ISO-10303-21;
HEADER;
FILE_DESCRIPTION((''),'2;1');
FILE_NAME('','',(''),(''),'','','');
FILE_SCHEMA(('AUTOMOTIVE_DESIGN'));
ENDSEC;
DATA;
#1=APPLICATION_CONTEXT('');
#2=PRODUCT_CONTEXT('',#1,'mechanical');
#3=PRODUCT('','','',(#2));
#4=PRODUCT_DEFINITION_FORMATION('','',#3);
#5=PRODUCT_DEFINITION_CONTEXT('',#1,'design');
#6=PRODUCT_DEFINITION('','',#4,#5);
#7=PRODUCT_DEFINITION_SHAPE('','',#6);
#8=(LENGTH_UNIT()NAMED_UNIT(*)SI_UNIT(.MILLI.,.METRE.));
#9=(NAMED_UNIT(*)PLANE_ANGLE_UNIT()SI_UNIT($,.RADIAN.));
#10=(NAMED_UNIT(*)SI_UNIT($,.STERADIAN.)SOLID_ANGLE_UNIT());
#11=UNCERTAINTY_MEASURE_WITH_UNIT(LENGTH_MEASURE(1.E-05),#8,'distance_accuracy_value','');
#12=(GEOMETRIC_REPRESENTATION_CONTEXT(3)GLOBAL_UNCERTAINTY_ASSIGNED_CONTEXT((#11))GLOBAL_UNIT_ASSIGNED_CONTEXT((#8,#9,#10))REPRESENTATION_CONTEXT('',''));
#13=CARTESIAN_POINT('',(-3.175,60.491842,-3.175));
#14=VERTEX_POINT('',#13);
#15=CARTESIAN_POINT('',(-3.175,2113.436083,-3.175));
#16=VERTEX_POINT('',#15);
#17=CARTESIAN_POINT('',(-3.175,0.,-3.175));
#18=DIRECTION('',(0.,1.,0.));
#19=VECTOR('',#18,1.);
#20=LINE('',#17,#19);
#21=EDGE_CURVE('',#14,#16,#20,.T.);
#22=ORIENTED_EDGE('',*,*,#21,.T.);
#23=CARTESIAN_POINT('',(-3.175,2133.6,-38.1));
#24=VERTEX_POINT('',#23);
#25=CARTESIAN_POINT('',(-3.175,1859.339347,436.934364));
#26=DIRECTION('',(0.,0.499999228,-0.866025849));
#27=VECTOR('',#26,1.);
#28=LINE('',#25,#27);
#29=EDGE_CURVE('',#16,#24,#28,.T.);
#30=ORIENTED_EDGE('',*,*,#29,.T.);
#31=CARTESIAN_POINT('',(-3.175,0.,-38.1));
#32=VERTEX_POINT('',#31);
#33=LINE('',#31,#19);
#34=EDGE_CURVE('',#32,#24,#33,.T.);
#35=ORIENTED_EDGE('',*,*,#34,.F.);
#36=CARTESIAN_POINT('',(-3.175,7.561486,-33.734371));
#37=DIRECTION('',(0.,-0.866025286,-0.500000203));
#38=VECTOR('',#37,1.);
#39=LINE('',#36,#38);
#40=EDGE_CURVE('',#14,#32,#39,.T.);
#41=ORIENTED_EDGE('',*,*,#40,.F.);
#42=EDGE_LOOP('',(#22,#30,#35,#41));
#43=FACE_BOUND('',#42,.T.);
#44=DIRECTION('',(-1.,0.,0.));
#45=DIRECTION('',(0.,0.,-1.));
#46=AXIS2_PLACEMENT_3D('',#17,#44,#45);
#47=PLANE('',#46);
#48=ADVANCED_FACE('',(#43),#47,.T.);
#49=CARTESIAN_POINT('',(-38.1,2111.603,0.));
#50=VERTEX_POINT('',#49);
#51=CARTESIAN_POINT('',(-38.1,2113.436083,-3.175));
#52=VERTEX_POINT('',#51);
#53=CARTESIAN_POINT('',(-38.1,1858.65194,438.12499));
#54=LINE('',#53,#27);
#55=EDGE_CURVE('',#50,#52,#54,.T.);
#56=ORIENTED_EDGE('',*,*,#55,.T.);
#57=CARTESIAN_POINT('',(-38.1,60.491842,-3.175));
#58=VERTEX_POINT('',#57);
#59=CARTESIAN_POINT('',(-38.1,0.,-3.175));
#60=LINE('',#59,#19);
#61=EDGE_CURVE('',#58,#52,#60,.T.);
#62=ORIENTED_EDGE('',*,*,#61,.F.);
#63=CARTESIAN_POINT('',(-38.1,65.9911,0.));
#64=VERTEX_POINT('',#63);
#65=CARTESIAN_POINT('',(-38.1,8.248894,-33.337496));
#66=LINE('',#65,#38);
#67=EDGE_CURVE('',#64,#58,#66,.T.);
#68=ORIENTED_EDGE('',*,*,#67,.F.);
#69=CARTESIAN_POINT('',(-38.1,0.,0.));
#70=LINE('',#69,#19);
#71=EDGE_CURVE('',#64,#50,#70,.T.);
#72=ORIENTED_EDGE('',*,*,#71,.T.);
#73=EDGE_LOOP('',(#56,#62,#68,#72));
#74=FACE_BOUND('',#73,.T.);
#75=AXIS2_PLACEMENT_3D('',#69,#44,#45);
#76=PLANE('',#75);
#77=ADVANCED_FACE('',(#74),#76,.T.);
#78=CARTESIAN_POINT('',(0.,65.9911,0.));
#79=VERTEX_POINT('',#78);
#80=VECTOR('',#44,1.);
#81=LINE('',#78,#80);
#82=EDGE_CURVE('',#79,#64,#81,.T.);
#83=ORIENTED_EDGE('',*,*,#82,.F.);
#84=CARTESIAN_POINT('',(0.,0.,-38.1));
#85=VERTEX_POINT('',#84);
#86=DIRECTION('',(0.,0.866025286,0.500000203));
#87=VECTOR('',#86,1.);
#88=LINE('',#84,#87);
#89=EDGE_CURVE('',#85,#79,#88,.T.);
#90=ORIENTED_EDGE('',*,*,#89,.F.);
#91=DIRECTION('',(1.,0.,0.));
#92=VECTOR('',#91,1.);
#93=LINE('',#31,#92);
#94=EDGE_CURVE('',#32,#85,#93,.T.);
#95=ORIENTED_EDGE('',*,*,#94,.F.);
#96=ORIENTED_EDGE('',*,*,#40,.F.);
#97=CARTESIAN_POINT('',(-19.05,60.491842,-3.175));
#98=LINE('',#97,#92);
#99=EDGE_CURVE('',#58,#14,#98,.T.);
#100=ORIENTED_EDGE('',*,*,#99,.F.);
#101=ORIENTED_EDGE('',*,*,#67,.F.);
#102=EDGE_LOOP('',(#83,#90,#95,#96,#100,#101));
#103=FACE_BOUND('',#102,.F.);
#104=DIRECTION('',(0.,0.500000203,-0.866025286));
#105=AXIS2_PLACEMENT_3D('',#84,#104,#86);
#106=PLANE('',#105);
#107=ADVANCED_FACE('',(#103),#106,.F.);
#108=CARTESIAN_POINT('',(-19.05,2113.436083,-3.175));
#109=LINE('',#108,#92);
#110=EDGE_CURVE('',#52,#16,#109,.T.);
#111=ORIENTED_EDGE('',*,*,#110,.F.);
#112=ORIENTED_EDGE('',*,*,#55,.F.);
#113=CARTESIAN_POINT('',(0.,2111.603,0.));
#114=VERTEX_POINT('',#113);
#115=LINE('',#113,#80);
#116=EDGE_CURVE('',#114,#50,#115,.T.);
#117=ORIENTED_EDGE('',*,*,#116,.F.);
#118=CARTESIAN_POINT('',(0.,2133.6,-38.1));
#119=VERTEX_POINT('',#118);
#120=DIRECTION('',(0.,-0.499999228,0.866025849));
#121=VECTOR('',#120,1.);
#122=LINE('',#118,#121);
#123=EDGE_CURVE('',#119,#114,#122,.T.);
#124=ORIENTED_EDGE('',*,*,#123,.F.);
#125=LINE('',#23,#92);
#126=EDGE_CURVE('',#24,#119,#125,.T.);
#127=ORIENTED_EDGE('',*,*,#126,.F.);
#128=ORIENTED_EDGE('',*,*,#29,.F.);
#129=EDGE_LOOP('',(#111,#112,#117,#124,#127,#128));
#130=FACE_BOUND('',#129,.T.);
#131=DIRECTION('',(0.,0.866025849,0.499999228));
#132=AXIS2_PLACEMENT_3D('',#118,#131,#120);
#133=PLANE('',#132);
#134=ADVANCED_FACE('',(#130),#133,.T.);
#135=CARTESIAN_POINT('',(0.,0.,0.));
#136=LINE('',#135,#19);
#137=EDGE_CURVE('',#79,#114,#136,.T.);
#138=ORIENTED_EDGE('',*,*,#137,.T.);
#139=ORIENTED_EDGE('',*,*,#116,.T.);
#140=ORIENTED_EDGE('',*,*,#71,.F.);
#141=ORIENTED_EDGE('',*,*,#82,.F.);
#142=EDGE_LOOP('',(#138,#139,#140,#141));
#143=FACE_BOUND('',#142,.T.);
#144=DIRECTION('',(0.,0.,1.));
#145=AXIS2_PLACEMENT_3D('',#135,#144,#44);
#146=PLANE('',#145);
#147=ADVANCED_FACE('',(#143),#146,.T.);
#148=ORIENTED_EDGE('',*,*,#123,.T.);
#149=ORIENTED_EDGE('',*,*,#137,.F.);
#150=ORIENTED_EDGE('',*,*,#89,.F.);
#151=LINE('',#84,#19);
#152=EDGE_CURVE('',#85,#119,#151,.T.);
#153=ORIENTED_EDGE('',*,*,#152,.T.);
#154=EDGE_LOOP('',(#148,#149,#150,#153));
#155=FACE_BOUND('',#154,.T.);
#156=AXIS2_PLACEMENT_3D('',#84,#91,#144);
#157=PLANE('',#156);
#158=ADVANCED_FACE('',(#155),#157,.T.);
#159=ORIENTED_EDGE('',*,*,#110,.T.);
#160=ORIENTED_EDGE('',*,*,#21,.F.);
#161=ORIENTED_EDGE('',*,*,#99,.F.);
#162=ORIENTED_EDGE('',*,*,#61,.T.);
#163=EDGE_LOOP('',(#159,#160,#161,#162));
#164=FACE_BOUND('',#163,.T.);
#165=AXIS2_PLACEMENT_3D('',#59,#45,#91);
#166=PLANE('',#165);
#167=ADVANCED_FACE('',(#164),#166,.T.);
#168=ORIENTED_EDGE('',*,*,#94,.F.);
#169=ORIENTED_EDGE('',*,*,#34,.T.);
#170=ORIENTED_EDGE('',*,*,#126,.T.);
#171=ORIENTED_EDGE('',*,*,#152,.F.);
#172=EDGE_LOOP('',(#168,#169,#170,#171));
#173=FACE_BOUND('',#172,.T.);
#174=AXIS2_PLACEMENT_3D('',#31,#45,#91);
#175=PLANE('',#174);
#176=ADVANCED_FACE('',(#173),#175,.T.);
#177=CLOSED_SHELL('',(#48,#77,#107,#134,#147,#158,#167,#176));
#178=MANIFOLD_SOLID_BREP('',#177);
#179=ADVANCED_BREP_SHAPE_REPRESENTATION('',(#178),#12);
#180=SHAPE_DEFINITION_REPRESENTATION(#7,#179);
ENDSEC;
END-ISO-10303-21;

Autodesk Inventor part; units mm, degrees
ref_plane "YZ Plane" through (0, 0, 0) normal (1, 0, 0) x (0, 1, 0)
ref_plane "XZ Plane" through (0, 0, 0) normal (0, 1, 0) x (-1, 0, 0)
ref_plane "XY Plane" through (0, 0, 0) normal (0, 0, 1) x (1, 0, 0)
sketch "Sketch1" plane through (0, 0, 0) normal (0, 1, 0) x (-1, 0, 0)
  line L0 (0, 0) -> (38.1, 0)
  line L1 (38.1, 0) -> (38.1, -3.175)
  line L2 (38.1, -3.175) -> (3.175, -3.175)
  line L3 (3.175, -3.175) -> (3.175, -38.1)
  line L4 (3.175, -38.1) -> (0, -38.1)
  line L5 (0, -38.1) -> (0, 0)
  dimension "d0" = 3.175
  dimension "d1" = 3.175
  dimension "d2" = 38.1
  dimension "d3" = 38.1
extrude "Extrusion1" add sketch "Sketch1" along normal blind 2133.6
sketch "Sketch2" plane through (0, 0, -38.1) normal (1, 0, 0) x (0, 0, -1)
  line L0 (0, 0) -> (0, 2133.6) projected
  line L1 (0, 0) -> (-38.1, 65.9911)
  line L2 (-38.1, 0) -> (-38.1, 2133.6) projected
  line L3 (-38.1, 65.9911) -> (-38.1, 0)
  line L4 (0, 0) -> (-38.1, 0) projected
  line L5 (-38.1, 0) -> (0, 0)
  line L6 (-38.1, 2133.6) -> (0, 2133.6) projected
  line L7 (0, 2133.6) -> (-38.1, 2111.603)
  line L8 (0, 2133.6) -> (-38.1, 2133.6)
  line L9 (-38.1, 2133.6) -> (-38.1, 2111.603)
  dimension "d6" = 30
  dimension "d7" = 30
extrude "Extrusion2" cut sketch "Sketch2" against normal blind 76.2 contours L4 L2 L1
extrude "Extrusion3" cut sketch "Sketch2" against normal blind 76.2 contours L7 L2 L6
properties part number "Right_Brace"
